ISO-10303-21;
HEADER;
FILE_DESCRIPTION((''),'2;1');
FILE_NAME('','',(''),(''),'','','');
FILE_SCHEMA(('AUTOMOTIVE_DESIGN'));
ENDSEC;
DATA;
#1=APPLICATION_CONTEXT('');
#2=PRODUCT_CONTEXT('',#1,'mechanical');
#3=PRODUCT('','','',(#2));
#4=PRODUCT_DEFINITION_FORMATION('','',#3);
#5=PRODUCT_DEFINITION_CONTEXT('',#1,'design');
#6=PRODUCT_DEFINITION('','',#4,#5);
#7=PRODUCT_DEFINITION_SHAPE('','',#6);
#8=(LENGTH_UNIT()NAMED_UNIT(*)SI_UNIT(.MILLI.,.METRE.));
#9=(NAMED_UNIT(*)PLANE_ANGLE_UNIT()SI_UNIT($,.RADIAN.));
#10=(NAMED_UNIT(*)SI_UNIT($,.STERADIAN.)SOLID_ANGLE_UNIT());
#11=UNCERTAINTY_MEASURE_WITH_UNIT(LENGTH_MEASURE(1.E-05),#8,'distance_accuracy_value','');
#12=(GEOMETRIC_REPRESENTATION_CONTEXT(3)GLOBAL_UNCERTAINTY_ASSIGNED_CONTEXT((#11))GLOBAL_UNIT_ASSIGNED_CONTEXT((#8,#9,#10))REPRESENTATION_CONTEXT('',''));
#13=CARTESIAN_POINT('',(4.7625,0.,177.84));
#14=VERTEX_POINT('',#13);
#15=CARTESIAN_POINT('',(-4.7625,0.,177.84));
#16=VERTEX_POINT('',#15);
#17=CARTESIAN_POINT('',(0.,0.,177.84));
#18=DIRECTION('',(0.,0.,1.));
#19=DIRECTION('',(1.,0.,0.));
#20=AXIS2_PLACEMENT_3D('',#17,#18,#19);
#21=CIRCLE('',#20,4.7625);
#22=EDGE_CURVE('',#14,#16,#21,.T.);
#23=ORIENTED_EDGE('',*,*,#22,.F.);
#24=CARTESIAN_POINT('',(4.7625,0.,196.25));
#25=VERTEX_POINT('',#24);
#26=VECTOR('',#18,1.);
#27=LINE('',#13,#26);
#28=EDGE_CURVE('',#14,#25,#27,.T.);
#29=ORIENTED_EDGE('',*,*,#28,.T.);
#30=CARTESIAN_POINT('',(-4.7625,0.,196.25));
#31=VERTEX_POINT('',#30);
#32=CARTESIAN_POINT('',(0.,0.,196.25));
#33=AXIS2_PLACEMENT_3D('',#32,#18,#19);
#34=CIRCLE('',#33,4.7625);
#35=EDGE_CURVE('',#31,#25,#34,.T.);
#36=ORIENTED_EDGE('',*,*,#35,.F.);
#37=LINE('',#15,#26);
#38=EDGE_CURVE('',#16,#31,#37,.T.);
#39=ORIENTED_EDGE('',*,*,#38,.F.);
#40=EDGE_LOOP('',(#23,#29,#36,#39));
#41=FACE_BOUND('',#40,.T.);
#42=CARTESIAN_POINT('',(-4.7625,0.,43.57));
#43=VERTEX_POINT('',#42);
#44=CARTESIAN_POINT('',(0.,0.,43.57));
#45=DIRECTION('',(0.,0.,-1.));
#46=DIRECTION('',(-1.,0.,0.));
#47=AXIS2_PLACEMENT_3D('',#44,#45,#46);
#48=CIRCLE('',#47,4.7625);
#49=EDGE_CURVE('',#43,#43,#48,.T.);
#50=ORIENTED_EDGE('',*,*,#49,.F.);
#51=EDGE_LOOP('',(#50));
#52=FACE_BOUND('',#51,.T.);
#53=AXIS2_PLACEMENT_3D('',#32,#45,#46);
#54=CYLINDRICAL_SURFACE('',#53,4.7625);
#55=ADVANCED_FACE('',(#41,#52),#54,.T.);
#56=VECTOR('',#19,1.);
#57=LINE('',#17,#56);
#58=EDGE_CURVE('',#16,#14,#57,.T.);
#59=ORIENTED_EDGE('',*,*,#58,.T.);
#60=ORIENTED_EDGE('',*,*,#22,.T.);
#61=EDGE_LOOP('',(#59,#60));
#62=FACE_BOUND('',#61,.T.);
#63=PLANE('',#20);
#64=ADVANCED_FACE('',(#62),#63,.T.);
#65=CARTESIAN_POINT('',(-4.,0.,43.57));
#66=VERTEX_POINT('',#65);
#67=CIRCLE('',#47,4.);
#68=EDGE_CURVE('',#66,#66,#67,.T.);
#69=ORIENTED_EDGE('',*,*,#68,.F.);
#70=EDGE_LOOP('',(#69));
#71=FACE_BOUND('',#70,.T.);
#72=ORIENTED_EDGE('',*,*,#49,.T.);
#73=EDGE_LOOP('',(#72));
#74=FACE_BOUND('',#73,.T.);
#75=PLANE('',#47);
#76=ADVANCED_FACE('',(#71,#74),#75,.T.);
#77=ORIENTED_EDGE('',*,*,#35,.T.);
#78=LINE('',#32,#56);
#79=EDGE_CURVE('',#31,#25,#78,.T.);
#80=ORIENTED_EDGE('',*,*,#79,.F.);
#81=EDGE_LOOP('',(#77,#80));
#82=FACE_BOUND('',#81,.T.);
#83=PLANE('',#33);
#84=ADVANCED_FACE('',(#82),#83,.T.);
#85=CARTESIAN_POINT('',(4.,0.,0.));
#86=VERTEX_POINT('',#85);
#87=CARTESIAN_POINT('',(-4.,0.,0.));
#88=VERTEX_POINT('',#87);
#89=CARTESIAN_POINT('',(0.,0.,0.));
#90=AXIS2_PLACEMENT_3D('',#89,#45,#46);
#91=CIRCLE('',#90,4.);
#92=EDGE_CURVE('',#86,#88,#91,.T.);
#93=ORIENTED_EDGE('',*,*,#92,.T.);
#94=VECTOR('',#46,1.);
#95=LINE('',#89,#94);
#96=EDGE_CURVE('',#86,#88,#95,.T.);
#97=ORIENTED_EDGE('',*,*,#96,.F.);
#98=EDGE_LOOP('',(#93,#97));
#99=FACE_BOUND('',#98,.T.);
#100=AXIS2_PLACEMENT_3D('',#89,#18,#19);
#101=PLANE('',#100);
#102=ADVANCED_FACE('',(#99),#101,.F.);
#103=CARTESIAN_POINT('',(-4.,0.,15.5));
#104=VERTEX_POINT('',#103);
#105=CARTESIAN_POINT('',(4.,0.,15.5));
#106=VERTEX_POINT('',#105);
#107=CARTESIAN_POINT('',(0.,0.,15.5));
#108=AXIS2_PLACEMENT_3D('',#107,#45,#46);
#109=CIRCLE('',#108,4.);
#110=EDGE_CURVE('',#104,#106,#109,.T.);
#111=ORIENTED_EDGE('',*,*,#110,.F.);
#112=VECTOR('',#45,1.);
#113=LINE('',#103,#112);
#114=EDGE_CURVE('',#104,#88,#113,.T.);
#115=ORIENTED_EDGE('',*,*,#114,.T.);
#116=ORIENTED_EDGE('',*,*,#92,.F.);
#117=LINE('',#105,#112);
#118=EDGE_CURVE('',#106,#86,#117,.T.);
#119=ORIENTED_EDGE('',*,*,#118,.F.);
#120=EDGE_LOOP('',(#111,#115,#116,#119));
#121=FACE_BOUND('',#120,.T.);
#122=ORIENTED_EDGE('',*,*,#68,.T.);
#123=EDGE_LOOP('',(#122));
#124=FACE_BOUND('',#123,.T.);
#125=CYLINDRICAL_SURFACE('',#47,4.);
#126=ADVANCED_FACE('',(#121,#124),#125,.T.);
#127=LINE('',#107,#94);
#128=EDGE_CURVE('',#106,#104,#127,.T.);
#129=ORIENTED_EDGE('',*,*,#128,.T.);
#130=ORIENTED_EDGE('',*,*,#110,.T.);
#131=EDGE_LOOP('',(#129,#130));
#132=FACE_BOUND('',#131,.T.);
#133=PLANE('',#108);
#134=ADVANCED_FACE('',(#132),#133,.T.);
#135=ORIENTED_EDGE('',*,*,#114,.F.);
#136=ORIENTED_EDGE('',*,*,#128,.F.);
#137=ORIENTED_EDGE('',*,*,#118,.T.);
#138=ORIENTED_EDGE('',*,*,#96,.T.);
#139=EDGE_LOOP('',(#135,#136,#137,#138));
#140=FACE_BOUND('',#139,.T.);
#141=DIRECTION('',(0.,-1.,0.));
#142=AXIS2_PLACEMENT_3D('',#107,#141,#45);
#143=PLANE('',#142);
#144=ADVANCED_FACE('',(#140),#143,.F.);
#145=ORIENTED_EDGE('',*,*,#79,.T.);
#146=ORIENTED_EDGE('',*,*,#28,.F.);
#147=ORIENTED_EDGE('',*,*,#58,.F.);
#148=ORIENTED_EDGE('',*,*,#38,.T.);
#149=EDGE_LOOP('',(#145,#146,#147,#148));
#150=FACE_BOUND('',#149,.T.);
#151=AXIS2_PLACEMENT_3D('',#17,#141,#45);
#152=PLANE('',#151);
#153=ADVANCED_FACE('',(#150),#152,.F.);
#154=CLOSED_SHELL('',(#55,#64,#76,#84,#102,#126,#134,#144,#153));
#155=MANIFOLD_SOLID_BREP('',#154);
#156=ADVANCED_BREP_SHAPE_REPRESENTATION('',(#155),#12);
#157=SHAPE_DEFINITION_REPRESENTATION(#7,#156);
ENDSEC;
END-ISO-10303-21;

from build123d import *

# Parameters (mm, degrees)
SKETCH1_R           = 4.7625
BOSS_EXTRUDE1_DEPTH = 196.25
CUT_EXTRUDE1_DEPTH  = 18.41
SKETCH3_R           = 4.7625
SKETCH3_R_2         = 4
CUT_EXTRUDE2_DEPTH  = 43.57
CUT_EXTRUDE3_DEPTH  = 15.5


with BuildPart() as part:
    # Sketch1 → Boss-Extrude1 (new body)
    with BuildSketch(Plane.XY):
        Circle(SKETCH1_R)
    extrude(amount=BOSS_EXTRUDE1_DEPTH)

    # Sketch2 → Cut-Extrude1 (cut)
    with BuildSketch(Plane.XY.offset(196.25)):
        Polygon((-36.061047486, 0), (-4.7625, 0), (4.7625, 0), (36.061047486, 0), (36.061047486, 62.597094971), (-36.061047486, 62.597094971), align=None)
    extrude(amount=-CUT_EXTRUDE1_DEPTH, mode=Mode.SUBTRACT)

    # Sketch3 → Cut-Extrude2 (cut)
    with BuildSketch(Plane(origin=(0, 0, 0), x_dir=(-1, 0, 0), z_dir=(0, 0, -1))):
        Circle(SKETCH3_R)
        Circle(SKETCH3_R_2, mode=Mode.SUBTRACT)
    extrude(amount=-CUT_EXTRUDE2_DEPTH, mode=Mode.SUBTRACT)

    # Sketch4 → Cut-Extrude3 (cut)
    with BuildSketch(Plane(origin=(0, 0, 0), x_dir=(-1, 0, 0), z_dir=(0, 0, -1))):
        Polygon((-33.946208913, 0), (-4, 0), (4, 0), (33.946208913, 0), (33.946208913, 59.892417826), (-33.946208913, 59.892417826), align=None)
    extrude(amount=-CUT_EXTRUDE3_DEPTH, mode=Mode.SUBTRACT)


solid = part.part
